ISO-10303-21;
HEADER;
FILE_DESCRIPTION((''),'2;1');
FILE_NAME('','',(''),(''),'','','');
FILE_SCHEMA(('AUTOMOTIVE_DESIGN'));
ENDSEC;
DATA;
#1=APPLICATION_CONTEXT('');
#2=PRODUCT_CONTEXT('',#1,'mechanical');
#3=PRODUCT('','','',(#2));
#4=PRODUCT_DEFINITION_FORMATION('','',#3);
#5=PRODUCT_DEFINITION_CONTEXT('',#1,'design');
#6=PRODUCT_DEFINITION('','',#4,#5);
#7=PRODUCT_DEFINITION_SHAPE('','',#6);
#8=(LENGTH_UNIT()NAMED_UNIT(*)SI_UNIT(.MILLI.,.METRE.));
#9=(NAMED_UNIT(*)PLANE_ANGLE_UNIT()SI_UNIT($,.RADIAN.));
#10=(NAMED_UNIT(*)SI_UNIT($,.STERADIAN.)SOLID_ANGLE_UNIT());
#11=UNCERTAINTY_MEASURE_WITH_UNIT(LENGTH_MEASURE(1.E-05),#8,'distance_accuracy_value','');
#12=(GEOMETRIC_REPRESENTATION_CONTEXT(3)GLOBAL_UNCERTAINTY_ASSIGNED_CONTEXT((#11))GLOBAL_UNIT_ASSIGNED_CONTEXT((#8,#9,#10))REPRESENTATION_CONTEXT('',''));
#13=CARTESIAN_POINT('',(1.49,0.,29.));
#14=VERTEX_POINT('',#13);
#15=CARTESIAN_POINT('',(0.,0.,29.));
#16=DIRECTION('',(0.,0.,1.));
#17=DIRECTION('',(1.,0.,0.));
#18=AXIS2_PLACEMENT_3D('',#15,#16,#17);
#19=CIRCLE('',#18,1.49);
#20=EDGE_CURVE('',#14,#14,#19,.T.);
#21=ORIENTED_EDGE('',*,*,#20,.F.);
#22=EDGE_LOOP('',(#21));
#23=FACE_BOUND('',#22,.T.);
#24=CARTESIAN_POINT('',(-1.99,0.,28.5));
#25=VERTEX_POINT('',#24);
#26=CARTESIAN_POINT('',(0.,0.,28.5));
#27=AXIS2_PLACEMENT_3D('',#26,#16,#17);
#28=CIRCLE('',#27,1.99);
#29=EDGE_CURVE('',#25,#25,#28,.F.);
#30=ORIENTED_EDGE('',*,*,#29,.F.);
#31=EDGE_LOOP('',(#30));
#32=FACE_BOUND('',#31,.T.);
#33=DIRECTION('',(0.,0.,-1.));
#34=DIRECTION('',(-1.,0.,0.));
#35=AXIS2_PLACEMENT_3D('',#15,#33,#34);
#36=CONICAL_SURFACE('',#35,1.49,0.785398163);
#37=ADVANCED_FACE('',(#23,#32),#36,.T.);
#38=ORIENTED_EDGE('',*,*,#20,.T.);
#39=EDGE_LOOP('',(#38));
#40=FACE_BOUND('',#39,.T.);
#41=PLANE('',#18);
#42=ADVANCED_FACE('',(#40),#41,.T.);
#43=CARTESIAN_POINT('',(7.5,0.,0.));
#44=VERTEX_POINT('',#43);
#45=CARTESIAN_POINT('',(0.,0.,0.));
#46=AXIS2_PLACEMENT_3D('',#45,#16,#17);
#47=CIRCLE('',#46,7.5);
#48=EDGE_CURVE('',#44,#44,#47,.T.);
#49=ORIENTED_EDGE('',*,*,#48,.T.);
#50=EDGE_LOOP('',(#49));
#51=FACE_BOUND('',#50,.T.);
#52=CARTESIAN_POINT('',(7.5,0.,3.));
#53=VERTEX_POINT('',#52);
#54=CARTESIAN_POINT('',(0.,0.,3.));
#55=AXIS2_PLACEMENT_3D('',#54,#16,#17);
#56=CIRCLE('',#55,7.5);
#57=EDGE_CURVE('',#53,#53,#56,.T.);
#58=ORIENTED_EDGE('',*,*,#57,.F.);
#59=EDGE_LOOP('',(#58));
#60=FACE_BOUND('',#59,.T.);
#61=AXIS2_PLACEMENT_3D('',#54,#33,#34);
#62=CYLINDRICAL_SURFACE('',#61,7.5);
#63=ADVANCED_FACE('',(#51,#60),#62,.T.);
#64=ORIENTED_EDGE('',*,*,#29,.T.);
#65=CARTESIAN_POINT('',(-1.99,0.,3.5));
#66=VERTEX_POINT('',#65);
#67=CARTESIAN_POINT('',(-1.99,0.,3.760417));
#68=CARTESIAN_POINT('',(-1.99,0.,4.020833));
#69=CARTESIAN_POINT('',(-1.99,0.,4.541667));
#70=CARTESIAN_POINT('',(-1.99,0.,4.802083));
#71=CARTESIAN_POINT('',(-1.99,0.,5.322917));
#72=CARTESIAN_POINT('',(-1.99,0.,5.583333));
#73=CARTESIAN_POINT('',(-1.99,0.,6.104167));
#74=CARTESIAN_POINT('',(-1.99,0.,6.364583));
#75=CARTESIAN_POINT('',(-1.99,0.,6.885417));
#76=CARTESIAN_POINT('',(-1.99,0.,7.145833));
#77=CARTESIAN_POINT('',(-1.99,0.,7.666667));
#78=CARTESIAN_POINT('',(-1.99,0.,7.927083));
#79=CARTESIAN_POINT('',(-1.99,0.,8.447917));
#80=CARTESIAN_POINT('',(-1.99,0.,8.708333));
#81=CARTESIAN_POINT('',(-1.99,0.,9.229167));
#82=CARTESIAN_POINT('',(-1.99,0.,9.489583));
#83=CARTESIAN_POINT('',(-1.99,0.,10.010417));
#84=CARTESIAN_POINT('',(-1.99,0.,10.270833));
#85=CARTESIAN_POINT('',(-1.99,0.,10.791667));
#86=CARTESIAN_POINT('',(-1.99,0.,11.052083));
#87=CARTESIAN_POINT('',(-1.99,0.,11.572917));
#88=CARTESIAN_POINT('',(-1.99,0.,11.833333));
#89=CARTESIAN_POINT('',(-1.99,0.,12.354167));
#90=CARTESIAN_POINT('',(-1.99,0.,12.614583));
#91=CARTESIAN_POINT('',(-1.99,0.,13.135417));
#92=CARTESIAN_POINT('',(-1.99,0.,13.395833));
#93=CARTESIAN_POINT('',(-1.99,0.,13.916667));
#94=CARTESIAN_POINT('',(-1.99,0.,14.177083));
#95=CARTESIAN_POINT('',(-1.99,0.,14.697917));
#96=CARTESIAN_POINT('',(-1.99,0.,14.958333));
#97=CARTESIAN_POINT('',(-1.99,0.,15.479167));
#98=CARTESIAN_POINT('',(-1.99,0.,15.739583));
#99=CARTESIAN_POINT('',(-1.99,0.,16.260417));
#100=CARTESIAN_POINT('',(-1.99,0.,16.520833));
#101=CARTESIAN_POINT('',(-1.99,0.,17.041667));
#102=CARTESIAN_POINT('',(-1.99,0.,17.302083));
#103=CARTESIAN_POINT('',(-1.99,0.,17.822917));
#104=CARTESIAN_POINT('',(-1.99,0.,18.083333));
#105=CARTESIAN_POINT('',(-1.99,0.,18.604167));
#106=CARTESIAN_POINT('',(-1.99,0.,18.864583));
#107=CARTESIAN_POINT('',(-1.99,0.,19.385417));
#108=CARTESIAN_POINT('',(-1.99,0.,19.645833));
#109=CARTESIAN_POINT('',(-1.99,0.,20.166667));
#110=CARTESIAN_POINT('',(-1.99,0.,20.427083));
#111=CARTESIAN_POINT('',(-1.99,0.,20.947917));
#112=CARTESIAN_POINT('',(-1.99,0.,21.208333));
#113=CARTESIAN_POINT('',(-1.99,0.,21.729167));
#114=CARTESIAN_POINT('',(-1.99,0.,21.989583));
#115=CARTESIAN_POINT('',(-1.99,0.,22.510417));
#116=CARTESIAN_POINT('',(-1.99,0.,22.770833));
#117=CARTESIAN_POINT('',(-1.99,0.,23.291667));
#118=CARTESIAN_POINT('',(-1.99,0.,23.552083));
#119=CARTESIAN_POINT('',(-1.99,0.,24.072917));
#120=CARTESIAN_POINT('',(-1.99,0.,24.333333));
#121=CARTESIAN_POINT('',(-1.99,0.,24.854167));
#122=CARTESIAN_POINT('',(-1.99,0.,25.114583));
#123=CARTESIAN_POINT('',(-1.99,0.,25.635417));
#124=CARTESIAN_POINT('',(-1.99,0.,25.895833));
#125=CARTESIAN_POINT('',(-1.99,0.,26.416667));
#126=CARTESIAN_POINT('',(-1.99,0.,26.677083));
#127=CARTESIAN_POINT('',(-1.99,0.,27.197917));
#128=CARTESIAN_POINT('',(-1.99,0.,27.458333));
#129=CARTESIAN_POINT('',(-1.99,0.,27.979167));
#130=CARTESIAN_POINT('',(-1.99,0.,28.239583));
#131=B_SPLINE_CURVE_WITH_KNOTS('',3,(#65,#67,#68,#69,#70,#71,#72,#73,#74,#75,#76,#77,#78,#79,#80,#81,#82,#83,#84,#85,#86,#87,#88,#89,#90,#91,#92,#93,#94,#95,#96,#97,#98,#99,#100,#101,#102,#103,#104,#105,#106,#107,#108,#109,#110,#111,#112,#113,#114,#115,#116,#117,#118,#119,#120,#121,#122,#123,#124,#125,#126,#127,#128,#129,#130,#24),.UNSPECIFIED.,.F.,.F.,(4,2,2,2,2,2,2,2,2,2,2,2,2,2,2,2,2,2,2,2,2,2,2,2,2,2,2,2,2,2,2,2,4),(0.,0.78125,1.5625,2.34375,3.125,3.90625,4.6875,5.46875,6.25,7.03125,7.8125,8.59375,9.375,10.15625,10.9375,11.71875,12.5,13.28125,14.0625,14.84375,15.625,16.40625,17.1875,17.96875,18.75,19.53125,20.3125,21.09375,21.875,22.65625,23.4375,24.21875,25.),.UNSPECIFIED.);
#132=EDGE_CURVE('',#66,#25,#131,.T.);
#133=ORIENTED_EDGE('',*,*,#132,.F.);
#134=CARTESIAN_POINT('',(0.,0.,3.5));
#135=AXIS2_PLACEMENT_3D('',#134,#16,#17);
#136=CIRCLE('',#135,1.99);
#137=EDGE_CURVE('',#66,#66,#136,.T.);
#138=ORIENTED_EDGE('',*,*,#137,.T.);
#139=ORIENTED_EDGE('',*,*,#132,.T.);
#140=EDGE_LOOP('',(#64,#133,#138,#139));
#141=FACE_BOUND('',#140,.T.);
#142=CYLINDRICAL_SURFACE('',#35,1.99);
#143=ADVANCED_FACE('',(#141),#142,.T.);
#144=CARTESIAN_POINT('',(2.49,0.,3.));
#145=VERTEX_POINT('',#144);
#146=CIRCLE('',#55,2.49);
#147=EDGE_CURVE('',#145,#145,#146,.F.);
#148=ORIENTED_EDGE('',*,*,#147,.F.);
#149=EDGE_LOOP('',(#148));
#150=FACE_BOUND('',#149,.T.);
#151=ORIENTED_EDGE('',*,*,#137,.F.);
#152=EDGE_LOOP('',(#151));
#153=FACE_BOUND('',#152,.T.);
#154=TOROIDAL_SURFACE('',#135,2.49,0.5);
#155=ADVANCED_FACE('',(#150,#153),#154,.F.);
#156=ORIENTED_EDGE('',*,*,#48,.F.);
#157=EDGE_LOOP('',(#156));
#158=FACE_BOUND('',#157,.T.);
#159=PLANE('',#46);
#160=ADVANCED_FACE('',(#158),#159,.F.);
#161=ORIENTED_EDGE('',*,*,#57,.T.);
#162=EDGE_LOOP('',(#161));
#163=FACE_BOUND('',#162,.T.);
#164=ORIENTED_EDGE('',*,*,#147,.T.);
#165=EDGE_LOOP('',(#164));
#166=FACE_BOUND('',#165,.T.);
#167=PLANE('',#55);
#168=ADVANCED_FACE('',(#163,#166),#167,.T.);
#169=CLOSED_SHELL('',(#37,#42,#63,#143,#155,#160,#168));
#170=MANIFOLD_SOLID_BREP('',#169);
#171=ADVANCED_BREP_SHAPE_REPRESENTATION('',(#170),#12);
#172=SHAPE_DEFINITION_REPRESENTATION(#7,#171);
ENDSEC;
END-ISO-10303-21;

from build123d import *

# Parameters (mm, degrees)
SKETCH1_R           = 7.5
BOSS_EXTRUDE1_DEPTH = 3
SKETCH2_R           = 1.99
BOSS_EXTRUDE2_DEPTH = 26
CHAMFER1_SIZE       = 0.5
FILLET1_R           = 0.5


with BuildPart() as part:
    # Sketch1 → Boss-Extrude1 (new body)
    with BuildSketch(Plane.XY):
        Circle(SKETCH1_R)
    extrude(amount=BOSS_EXTRUDE1_DEPTH)

    # Sketch2 → Boss-Extrude2 (add)
    with BuildSketch(Plane.XY.offset(3)):
        with Locations(Location((0, 0, 0), (0, 0, 180))):
            Circle(SKETCH2_R)
    extrude(amount=BOSS_EXTRUDE2_DEPTH)

    # Chamfer1
    chamfer1_edges = [part.edges().sort_by_distance(p)[0] for p in [
        (1.99, 0, 29),
    ]]
    chamfer(chamfer1_edges, length=CHAMFER1_SIZE)

    # Fillet1
    fillet1_edges = [part.edges().sort_by_distance(p)[0] for p in [
        (1.99, 0, 3),
    ]]
    fillet(fillet1_edges, radius=FILLET1_R)


solid = part.part
